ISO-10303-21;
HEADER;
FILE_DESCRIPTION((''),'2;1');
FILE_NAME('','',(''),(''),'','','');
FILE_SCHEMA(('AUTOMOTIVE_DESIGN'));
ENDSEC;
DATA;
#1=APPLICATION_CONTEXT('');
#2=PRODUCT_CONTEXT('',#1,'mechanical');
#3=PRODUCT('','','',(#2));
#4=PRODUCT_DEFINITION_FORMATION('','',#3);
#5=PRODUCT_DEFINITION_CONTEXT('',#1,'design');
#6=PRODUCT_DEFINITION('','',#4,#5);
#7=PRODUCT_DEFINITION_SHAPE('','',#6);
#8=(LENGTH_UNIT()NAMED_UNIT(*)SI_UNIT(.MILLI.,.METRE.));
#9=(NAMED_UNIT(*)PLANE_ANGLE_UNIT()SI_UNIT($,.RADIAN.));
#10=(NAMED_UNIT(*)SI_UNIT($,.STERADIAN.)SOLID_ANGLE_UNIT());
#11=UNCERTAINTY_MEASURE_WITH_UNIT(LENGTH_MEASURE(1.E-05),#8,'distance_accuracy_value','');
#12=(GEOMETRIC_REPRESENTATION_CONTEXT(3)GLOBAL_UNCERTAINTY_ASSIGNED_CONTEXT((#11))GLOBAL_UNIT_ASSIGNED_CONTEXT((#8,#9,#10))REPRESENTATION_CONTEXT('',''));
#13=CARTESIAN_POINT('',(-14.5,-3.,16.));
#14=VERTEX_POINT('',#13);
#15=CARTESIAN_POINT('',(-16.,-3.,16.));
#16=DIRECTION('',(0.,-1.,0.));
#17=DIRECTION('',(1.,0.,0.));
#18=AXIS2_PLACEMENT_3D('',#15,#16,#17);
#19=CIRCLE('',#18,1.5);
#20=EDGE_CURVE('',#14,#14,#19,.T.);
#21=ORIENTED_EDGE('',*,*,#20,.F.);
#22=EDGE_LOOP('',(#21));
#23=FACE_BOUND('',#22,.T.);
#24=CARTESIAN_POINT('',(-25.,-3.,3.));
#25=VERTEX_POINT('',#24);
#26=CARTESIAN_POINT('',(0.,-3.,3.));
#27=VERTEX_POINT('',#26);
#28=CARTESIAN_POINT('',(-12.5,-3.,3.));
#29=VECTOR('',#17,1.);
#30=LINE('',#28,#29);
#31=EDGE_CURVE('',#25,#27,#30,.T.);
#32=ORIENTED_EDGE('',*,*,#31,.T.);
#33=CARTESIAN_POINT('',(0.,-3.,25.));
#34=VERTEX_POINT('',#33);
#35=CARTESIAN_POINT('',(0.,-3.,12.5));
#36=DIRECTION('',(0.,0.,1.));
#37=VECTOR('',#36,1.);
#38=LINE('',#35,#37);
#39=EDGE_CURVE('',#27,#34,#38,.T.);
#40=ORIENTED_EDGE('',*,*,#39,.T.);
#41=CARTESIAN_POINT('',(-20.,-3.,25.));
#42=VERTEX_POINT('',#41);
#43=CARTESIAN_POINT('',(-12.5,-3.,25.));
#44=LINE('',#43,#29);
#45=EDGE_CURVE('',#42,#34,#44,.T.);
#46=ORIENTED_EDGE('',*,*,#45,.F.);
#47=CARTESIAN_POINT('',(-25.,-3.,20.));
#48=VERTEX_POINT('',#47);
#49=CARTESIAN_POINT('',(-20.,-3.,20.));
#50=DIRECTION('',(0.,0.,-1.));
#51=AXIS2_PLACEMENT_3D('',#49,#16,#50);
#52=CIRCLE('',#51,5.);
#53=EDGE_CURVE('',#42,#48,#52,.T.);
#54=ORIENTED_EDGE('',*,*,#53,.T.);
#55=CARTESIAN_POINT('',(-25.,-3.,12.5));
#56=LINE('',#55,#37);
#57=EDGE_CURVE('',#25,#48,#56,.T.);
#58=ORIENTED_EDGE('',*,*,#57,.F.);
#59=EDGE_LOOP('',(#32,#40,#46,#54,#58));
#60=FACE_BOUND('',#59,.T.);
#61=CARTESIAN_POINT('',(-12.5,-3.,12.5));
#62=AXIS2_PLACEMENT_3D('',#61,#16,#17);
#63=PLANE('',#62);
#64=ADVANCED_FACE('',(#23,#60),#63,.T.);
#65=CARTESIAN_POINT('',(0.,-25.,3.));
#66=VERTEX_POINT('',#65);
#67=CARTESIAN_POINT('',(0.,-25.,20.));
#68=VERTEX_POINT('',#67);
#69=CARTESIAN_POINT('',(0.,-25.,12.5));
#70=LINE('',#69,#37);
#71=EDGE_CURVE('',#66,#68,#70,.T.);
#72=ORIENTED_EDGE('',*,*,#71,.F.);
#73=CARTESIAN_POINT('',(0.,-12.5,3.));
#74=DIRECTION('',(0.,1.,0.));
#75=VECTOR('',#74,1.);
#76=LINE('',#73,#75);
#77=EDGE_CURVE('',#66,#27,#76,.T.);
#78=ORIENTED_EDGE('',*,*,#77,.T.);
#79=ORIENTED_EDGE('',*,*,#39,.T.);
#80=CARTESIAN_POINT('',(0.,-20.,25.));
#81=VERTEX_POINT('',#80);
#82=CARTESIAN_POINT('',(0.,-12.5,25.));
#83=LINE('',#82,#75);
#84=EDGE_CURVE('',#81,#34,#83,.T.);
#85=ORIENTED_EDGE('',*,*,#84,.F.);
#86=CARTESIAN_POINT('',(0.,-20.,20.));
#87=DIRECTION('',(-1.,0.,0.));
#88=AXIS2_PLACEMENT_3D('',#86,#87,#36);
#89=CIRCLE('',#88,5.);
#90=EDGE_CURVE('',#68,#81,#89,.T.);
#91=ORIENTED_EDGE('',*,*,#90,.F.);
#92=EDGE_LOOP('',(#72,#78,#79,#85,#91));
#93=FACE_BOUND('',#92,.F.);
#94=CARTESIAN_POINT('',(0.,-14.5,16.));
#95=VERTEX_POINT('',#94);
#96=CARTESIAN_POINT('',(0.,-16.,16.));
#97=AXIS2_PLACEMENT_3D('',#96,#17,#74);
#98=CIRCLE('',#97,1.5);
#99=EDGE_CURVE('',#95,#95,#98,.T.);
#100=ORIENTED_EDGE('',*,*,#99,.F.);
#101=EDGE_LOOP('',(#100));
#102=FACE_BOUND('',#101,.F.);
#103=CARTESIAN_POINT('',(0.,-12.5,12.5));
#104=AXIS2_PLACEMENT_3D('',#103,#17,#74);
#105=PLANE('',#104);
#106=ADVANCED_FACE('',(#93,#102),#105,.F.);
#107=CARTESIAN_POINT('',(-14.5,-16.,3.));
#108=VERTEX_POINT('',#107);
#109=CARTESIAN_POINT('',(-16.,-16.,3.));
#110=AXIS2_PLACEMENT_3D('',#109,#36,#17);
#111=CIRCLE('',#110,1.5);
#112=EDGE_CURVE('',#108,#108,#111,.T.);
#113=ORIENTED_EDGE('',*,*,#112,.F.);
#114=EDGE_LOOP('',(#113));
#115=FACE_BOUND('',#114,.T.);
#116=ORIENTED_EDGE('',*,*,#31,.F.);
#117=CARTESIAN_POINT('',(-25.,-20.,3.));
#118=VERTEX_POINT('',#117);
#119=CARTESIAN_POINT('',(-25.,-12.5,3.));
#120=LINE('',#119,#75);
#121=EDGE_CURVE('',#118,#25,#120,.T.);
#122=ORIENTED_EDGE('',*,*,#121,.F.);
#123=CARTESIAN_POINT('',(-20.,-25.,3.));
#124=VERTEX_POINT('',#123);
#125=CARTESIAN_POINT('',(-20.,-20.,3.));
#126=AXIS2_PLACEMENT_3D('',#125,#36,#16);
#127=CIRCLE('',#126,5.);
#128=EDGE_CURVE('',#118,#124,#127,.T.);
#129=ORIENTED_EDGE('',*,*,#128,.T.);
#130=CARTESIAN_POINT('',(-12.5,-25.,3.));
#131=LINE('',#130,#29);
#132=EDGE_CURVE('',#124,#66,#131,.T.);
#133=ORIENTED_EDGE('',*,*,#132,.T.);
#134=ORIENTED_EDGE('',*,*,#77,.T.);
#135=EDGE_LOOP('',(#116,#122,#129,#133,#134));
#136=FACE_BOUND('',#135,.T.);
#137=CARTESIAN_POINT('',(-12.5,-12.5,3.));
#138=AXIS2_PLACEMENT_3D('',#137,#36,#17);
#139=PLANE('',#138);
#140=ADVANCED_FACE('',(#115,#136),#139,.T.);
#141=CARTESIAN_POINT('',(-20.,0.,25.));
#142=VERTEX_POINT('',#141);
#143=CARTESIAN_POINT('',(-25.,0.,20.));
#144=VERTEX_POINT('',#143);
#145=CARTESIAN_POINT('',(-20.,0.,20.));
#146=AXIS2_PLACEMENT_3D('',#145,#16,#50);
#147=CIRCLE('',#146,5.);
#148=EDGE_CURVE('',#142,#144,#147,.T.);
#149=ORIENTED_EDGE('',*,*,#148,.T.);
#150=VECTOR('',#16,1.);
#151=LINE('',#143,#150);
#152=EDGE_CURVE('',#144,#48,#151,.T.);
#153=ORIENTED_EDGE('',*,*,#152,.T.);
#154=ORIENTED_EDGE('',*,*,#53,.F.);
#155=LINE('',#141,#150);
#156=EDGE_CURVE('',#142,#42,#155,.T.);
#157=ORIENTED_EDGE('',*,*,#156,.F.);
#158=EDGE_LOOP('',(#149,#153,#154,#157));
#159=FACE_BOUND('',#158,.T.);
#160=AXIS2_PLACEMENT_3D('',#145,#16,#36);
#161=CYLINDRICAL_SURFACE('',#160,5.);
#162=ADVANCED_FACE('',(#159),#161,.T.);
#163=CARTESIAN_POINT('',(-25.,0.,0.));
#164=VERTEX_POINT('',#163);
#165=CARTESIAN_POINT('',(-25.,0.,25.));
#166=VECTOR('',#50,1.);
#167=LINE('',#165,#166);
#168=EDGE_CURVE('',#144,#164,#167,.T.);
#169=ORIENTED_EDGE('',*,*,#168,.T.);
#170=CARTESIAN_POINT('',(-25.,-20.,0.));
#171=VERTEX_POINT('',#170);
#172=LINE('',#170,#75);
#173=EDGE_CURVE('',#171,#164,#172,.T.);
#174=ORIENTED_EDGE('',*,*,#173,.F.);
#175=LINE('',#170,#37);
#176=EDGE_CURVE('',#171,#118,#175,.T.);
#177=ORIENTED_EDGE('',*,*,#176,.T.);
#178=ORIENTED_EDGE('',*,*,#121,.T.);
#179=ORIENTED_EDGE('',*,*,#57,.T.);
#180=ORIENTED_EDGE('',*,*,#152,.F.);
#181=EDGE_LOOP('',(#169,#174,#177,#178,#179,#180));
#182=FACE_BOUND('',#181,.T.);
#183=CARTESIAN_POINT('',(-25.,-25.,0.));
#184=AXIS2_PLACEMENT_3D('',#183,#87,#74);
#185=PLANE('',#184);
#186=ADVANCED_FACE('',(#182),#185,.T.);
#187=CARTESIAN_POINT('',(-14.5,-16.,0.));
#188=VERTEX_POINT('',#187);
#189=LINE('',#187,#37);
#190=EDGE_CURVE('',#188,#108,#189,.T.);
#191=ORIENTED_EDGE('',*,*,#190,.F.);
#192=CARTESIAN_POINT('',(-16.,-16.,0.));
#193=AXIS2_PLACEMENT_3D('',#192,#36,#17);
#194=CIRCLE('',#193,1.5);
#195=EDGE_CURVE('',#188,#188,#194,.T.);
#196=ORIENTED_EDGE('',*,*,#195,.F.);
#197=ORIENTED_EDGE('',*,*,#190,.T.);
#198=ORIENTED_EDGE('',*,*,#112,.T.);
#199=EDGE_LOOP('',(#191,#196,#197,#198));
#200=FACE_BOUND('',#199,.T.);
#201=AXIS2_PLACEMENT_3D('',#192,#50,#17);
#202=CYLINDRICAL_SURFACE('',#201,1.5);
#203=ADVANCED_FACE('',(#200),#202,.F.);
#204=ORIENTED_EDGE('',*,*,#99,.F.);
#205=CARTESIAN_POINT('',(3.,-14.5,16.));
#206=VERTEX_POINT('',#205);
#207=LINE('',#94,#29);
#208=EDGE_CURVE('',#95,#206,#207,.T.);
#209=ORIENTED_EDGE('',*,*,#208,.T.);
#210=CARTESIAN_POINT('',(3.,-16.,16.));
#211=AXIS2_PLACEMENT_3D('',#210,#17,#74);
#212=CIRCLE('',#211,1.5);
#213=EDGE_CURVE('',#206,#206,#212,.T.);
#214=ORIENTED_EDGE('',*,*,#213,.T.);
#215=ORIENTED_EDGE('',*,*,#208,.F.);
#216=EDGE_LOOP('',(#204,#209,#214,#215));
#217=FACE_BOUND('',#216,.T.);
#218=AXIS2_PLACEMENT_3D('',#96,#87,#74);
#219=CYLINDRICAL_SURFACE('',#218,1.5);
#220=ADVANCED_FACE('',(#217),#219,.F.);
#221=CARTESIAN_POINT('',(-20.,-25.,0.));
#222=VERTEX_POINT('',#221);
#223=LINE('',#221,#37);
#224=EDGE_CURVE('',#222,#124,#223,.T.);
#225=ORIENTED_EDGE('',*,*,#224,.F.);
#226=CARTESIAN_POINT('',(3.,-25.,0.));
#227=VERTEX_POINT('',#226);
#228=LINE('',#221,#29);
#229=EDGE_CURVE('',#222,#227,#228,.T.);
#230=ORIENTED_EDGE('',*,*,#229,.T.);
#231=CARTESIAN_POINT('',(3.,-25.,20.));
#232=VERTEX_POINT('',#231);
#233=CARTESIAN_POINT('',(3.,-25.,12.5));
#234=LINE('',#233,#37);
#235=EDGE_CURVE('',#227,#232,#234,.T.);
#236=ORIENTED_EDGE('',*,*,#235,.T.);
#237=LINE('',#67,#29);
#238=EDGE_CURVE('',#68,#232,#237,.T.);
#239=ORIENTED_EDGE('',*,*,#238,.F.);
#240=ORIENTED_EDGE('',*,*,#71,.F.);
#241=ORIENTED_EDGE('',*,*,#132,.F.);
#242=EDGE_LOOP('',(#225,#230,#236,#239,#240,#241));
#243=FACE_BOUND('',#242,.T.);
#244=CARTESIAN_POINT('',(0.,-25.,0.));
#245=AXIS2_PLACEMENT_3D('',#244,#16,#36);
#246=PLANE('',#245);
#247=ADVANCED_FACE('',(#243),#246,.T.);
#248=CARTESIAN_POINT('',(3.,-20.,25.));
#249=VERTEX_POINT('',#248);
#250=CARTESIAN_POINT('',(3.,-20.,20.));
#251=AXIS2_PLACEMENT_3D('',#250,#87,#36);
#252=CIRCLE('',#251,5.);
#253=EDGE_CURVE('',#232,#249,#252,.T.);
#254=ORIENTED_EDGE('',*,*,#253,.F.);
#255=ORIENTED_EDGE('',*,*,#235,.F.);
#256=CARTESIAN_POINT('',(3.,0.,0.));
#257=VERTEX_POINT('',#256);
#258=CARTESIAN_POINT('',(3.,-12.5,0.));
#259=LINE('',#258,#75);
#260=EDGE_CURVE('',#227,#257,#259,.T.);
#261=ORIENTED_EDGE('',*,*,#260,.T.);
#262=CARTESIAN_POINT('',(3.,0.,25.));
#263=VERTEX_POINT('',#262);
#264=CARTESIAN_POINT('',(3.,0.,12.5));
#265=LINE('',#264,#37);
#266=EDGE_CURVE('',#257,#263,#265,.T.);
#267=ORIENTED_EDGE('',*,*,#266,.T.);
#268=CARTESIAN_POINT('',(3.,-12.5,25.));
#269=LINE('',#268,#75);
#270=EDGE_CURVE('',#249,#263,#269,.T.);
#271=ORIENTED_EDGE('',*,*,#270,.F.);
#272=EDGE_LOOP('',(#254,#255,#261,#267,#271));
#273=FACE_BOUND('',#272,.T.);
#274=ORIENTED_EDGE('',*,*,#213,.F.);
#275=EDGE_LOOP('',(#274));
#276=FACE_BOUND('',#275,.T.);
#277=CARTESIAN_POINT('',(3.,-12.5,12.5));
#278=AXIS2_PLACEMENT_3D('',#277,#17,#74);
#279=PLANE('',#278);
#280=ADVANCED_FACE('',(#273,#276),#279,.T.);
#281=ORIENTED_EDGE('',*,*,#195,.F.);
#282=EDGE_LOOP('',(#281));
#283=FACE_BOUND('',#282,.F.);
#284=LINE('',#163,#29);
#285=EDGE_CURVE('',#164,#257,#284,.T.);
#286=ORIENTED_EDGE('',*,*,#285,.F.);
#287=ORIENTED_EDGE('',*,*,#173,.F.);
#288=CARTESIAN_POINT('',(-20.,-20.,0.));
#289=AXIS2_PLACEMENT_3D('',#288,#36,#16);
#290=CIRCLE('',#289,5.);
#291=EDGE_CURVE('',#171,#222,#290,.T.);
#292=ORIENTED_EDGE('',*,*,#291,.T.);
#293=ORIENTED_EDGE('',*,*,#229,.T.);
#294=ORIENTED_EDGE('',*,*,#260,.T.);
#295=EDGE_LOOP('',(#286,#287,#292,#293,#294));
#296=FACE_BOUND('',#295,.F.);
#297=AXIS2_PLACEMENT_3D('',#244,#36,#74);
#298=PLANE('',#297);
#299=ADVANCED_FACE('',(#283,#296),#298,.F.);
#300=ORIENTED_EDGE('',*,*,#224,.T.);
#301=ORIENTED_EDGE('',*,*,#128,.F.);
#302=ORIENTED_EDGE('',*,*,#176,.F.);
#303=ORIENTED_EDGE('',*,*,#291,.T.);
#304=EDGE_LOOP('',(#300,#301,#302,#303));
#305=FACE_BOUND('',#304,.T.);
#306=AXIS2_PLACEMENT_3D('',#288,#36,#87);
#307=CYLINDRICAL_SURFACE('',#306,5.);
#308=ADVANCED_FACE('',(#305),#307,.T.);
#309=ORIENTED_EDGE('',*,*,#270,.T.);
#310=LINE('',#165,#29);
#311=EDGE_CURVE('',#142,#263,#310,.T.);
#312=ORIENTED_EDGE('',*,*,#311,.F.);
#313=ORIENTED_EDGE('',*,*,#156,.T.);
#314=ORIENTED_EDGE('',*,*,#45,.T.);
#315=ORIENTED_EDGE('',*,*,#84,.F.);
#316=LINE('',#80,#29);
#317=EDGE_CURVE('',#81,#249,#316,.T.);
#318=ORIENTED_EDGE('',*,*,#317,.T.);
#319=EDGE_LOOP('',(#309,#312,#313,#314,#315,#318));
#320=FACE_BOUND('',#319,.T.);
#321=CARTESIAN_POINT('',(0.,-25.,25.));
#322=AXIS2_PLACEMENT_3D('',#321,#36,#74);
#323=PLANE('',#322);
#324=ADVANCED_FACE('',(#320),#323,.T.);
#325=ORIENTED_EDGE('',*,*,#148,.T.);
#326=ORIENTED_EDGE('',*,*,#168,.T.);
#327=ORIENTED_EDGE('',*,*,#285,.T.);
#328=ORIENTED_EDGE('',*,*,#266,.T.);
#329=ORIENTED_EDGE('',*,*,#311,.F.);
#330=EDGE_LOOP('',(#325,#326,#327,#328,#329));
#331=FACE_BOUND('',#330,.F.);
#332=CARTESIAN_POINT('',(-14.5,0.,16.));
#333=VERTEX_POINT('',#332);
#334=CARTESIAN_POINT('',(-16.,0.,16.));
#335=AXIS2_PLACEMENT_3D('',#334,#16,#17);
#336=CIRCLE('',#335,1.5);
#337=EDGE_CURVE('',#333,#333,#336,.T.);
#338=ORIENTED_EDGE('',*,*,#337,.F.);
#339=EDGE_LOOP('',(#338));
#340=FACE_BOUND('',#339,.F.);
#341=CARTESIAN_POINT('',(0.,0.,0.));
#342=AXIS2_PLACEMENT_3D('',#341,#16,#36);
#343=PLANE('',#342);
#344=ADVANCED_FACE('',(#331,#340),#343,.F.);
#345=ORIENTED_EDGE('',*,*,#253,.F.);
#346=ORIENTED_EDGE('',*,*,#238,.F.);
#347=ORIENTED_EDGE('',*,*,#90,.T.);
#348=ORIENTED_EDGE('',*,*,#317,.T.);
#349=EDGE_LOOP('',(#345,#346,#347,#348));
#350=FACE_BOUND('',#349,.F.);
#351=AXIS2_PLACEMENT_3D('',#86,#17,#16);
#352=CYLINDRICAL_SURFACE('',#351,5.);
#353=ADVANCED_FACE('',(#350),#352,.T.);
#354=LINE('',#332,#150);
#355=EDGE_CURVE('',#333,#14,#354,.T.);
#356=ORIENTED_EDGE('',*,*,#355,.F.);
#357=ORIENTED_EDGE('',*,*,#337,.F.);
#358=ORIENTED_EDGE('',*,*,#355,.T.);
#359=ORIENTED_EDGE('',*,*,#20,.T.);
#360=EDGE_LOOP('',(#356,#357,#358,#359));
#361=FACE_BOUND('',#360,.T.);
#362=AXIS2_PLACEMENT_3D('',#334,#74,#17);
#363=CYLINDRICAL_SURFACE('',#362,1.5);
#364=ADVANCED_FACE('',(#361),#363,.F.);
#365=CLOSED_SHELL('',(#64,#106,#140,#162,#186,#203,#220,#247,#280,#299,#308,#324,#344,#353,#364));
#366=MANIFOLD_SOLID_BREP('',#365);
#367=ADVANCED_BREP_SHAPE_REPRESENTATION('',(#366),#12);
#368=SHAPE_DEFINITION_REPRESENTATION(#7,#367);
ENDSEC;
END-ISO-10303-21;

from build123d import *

# Parameters (mm, degrees)
F0_W     = 25
F0_H     = 25
F0_R     = 1.5
F3_DEPTH = 3
F4_R     = 5
F1_W     = 25
F1_H     = 25
F1_R     = 1.5
F5_DEPTH = 3
F6_R     = 5
F2_W     = 25
F2_H     = 25
F2_R     = 1.5
F7_DEPTH = 3
F8_R     = 5


with BuildPart() as f3:
    # F0 (on Top) → F3 (new body)
    with BuildSketch(Plane.XY):
        with Locations((-12.5, -12.5)):
            Rectangle(F0_W, F0_H)
        with Locations((-16, -16)):
            Circle(F0_R, mode=Mode.SUBTRACT)
    extrude(amount=F3_DEPTH)

    # F4
    f4_edges = [f3.edges().sort_by_distance(p)[0] for p in [
        (-25, -25, 1.5),
    ]]
    fillet(f4_edges, radius=F4_R)

    # F1 (on Right) → F5 (join)
    with BuildSketch(Plane.YZ):
        with Locations((-12.5, 12.5)):
            Rectangle(F1_W, F1_H)
        with Locations((-16, 16)):
            Circle(F1_R, mode=Mode.SUBTRACT)
    extrude(amount=F5_DEPTH)

    # F6
    f6_edges = [f3.edges().sort_by_distance(p)[0] for p in [
        (1.5, -25, 25),
    ]]
    fillet(f6_edges, radius=F6_R)

    # F2 (on Front) → F7 (join)
    with BuildSketch(Plane.XZ):
        with Locations((-12.5, 12.5)):
            Rectangle(F2_W, F2_H)
        with Locations((-16, 16)):
            Circle(F2_R, mode=Mode.SUBTRACT)
    extrude(amount=F7_DEPTH)

    # F8
    f8_edges = [f3.edges().sort_by_distance(p)[0] for p in [
        (-25, -1.5, 25),
    ]]
    fillet(f8_edges, radius=F8_R)


solid = f3.part
